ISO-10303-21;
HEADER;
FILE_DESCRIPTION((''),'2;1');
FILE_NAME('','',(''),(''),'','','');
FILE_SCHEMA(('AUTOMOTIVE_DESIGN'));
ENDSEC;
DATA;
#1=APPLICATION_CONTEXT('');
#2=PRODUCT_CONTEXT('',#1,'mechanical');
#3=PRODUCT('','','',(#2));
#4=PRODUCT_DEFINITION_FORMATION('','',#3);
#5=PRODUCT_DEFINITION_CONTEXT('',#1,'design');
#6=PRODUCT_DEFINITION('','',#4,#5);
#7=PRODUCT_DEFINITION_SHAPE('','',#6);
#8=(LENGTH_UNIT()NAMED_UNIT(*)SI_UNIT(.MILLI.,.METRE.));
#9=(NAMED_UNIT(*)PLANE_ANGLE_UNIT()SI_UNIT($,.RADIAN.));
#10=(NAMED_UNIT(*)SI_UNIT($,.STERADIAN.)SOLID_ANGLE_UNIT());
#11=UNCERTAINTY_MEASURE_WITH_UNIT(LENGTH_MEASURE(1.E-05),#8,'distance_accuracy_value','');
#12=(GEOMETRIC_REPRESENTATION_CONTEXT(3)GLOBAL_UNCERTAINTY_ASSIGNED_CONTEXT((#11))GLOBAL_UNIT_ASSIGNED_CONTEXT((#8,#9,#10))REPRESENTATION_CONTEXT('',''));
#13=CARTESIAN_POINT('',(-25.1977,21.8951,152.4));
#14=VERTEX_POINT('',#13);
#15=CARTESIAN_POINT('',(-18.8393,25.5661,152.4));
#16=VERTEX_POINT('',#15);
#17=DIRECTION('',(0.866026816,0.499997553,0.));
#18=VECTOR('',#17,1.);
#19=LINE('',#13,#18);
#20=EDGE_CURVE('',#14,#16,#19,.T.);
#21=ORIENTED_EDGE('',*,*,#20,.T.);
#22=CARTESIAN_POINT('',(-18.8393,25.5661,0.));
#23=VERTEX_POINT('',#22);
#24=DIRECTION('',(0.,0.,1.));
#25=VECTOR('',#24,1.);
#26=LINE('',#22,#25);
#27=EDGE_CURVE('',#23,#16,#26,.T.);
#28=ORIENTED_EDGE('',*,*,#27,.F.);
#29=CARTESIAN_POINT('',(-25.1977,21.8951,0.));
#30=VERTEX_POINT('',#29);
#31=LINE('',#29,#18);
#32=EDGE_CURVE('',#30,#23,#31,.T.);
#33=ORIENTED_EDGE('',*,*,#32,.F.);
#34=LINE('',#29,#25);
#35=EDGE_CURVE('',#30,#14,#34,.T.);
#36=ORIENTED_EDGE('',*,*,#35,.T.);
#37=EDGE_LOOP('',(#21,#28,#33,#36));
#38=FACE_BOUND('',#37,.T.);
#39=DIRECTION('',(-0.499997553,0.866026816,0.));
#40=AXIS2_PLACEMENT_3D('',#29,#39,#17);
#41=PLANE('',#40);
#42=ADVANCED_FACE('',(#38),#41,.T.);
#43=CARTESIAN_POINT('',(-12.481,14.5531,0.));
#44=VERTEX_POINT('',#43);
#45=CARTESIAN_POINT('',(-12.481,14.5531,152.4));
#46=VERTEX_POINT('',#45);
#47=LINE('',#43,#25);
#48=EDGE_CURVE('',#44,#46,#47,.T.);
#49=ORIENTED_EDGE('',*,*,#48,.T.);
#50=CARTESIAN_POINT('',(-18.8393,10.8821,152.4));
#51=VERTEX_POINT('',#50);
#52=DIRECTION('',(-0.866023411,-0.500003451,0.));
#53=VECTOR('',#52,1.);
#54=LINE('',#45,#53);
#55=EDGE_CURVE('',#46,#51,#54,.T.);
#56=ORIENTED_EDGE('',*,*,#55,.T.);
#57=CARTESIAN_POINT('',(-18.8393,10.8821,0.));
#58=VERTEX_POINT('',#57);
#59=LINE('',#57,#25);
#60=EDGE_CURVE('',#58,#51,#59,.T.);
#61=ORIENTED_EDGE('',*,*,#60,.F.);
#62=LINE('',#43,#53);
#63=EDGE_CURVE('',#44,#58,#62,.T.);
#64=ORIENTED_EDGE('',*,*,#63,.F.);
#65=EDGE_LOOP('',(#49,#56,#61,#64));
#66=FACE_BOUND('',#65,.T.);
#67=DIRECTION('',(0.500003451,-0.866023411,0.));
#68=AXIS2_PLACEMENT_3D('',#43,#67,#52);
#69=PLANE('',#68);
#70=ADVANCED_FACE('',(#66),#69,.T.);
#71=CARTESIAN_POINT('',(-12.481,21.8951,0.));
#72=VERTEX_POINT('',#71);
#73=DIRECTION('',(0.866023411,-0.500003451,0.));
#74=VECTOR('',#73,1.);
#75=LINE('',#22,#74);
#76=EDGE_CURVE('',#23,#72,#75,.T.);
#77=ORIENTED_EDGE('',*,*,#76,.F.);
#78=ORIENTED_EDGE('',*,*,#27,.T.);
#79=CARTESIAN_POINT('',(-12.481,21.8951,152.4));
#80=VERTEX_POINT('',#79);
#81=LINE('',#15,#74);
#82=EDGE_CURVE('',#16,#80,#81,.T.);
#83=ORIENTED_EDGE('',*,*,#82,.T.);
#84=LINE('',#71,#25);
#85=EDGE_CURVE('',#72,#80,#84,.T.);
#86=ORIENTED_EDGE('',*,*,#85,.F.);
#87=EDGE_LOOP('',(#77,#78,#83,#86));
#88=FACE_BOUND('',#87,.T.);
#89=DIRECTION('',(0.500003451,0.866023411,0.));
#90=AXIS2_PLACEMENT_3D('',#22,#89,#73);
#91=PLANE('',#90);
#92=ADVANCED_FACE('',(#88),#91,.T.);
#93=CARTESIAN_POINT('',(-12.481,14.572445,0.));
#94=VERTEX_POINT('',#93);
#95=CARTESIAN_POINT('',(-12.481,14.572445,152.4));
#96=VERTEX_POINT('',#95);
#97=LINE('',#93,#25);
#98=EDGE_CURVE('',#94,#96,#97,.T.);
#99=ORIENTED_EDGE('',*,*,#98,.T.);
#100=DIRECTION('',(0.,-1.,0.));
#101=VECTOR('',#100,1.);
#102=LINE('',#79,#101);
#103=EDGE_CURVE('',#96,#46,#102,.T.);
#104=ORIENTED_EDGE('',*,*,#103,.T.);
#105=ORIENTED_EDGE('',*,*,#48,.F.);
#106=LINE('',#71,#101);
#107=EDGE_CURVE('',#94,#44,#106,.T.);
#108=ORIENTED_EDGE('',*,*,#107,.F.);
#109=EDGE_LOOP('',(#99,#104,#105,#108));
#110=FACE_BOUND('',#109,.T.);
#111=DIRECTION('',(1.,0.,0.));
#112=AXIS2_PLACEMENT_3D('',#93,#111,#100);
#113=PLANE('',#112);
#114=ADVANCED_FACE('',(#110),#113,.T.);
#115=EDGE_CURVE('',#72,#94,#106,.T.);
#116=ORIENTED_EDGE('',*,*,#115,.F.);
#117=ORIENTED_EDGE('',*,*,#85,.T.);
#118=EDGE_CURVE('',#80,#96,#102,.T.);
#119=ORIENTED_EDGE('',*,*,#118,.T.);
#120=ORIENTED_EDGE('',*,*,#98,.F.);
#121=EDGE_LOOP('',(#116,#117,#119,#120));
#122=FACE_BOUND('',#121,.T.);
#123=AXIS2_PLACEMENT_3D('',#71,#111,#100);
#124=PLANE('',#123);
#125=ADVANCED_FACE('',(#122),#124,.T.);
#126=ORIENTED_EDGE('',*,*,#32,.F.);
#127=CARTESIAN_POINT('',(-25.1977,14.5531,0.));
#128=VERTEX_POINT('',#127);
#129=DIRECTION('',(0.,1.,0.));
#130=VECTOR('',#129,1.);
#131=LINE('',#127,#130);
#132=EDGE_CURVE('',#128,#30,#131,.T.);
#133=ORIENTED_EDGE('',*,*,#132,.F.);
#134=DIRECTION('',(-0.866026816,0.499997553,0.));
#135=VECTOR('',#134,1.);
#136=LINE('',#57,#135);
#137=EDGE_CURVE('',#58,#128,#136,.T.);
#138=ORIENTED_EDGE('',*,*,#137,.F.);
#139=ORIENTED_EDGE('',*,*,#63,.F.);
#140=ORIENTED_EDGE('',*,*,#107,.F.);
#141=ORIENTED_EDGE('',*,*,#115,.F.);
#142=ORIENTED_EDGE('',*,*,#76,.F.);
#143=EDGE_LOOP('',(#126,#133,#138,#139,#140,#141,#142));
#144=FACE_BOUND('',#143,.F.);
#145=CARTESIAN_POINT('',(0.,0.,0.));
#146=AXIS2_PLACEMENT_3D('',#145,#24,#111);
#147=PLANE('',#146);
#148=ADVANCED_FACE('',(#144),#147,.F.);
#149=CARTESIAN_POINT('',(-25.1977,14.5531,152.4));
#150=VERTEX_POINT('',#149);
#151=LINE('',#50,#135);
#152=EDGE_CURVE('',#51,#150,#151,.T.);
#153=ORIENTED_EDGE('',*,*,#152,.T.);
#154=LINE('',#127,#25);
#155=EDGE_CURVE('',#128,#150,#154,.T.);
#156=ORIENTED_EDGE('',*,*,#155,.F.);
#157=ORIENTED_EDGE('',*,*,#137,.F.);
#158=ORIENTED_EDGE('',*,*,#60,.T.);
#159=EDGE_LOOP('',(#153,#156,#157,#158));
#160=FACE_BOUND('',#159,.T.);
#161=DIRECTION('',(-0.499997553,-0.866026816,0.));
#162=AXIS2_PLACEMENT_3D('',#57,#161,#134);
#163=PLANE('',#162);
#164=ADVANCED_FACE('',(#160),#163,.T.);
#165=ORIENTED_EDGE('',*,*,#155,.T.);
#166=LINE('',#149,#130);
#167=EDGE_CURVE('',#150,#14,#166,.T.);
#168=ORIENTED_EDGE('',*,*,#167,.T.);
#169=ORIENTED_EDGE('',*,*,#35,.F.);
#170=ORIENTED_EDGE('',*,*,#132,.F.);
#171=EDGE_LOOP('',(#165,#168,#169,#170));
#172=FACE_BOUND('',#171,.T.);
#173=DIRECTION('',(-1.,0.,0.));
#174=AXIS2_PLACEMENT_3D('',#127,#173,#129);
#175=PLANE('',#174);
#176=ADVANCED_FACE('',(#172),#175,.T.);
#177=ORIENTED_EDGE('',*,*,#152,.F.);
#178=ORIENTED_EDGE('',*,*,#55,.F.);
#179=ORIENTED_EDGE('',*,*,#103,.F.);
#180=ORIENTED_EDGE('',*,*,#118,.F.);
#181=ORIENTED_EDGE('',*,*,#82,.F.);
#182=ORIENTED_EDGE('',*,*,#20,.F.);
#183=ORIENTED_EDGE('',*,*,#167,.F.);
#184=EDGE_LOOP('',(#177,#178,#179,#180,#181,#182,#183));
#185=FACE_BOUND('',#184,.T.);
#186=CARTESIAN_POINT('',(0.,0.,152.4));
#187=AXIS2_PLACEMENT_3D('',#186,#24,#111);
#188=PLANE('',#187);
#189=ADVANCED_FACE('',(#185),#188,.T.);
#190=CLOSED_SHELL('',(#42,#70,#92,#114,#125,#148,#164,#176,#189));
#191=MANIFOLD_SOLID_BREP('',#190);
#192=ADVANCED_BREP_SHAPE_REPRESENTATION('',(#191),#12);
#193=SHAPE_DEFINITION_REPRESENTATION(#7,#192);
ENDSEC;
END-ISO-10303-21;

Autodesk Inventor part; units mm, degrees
ref_plane "YZ Plane" through (0, 0, 0) normal (1, 0, 0) x (0, 1, 0)
ref_plane "XZ Plane" through (0, 0, 0) normal (0, 1, 0) x (-1, 0, 0)
ref_plane "XY Plane" through (0, 0, 0) normal (0, 0, 1) x (1, 0, 0)
sketch "Sketch1" plane through (0, 0, 0) normal (0, 0, 1) x (1, 0, 0)
  line L0 (-15.6518, 12.7321) -> (-8.8412, 16.685)
  line L1 (-15.6518, 12.7321) -> (-18.8393, 18.2241)
  line L2 (-18.8393, 10.8821) -> (-25.1977, 14.5531)
  line L3 (-25.1977, 14.5531) -> (-25.1977, 21.8951)
  line L4 (-25.1977, 21.8951) -> (-18.8393, 25.5661)
  line L5 (-18.8393, 25.5661) -> (-12.481, 21.8951)
  line L6 (-12.481, 21.8951) -> (-12.481, 14.5531)
  line L7 (-12.481, 14.5531) -> (-18.8393, 10.8821)
  dimension "d5" = 6.35
extrude "Extrusion1" add sketch "Sketch1" along normal blind 152.4
properties part number "Sanded Hex Rod"
